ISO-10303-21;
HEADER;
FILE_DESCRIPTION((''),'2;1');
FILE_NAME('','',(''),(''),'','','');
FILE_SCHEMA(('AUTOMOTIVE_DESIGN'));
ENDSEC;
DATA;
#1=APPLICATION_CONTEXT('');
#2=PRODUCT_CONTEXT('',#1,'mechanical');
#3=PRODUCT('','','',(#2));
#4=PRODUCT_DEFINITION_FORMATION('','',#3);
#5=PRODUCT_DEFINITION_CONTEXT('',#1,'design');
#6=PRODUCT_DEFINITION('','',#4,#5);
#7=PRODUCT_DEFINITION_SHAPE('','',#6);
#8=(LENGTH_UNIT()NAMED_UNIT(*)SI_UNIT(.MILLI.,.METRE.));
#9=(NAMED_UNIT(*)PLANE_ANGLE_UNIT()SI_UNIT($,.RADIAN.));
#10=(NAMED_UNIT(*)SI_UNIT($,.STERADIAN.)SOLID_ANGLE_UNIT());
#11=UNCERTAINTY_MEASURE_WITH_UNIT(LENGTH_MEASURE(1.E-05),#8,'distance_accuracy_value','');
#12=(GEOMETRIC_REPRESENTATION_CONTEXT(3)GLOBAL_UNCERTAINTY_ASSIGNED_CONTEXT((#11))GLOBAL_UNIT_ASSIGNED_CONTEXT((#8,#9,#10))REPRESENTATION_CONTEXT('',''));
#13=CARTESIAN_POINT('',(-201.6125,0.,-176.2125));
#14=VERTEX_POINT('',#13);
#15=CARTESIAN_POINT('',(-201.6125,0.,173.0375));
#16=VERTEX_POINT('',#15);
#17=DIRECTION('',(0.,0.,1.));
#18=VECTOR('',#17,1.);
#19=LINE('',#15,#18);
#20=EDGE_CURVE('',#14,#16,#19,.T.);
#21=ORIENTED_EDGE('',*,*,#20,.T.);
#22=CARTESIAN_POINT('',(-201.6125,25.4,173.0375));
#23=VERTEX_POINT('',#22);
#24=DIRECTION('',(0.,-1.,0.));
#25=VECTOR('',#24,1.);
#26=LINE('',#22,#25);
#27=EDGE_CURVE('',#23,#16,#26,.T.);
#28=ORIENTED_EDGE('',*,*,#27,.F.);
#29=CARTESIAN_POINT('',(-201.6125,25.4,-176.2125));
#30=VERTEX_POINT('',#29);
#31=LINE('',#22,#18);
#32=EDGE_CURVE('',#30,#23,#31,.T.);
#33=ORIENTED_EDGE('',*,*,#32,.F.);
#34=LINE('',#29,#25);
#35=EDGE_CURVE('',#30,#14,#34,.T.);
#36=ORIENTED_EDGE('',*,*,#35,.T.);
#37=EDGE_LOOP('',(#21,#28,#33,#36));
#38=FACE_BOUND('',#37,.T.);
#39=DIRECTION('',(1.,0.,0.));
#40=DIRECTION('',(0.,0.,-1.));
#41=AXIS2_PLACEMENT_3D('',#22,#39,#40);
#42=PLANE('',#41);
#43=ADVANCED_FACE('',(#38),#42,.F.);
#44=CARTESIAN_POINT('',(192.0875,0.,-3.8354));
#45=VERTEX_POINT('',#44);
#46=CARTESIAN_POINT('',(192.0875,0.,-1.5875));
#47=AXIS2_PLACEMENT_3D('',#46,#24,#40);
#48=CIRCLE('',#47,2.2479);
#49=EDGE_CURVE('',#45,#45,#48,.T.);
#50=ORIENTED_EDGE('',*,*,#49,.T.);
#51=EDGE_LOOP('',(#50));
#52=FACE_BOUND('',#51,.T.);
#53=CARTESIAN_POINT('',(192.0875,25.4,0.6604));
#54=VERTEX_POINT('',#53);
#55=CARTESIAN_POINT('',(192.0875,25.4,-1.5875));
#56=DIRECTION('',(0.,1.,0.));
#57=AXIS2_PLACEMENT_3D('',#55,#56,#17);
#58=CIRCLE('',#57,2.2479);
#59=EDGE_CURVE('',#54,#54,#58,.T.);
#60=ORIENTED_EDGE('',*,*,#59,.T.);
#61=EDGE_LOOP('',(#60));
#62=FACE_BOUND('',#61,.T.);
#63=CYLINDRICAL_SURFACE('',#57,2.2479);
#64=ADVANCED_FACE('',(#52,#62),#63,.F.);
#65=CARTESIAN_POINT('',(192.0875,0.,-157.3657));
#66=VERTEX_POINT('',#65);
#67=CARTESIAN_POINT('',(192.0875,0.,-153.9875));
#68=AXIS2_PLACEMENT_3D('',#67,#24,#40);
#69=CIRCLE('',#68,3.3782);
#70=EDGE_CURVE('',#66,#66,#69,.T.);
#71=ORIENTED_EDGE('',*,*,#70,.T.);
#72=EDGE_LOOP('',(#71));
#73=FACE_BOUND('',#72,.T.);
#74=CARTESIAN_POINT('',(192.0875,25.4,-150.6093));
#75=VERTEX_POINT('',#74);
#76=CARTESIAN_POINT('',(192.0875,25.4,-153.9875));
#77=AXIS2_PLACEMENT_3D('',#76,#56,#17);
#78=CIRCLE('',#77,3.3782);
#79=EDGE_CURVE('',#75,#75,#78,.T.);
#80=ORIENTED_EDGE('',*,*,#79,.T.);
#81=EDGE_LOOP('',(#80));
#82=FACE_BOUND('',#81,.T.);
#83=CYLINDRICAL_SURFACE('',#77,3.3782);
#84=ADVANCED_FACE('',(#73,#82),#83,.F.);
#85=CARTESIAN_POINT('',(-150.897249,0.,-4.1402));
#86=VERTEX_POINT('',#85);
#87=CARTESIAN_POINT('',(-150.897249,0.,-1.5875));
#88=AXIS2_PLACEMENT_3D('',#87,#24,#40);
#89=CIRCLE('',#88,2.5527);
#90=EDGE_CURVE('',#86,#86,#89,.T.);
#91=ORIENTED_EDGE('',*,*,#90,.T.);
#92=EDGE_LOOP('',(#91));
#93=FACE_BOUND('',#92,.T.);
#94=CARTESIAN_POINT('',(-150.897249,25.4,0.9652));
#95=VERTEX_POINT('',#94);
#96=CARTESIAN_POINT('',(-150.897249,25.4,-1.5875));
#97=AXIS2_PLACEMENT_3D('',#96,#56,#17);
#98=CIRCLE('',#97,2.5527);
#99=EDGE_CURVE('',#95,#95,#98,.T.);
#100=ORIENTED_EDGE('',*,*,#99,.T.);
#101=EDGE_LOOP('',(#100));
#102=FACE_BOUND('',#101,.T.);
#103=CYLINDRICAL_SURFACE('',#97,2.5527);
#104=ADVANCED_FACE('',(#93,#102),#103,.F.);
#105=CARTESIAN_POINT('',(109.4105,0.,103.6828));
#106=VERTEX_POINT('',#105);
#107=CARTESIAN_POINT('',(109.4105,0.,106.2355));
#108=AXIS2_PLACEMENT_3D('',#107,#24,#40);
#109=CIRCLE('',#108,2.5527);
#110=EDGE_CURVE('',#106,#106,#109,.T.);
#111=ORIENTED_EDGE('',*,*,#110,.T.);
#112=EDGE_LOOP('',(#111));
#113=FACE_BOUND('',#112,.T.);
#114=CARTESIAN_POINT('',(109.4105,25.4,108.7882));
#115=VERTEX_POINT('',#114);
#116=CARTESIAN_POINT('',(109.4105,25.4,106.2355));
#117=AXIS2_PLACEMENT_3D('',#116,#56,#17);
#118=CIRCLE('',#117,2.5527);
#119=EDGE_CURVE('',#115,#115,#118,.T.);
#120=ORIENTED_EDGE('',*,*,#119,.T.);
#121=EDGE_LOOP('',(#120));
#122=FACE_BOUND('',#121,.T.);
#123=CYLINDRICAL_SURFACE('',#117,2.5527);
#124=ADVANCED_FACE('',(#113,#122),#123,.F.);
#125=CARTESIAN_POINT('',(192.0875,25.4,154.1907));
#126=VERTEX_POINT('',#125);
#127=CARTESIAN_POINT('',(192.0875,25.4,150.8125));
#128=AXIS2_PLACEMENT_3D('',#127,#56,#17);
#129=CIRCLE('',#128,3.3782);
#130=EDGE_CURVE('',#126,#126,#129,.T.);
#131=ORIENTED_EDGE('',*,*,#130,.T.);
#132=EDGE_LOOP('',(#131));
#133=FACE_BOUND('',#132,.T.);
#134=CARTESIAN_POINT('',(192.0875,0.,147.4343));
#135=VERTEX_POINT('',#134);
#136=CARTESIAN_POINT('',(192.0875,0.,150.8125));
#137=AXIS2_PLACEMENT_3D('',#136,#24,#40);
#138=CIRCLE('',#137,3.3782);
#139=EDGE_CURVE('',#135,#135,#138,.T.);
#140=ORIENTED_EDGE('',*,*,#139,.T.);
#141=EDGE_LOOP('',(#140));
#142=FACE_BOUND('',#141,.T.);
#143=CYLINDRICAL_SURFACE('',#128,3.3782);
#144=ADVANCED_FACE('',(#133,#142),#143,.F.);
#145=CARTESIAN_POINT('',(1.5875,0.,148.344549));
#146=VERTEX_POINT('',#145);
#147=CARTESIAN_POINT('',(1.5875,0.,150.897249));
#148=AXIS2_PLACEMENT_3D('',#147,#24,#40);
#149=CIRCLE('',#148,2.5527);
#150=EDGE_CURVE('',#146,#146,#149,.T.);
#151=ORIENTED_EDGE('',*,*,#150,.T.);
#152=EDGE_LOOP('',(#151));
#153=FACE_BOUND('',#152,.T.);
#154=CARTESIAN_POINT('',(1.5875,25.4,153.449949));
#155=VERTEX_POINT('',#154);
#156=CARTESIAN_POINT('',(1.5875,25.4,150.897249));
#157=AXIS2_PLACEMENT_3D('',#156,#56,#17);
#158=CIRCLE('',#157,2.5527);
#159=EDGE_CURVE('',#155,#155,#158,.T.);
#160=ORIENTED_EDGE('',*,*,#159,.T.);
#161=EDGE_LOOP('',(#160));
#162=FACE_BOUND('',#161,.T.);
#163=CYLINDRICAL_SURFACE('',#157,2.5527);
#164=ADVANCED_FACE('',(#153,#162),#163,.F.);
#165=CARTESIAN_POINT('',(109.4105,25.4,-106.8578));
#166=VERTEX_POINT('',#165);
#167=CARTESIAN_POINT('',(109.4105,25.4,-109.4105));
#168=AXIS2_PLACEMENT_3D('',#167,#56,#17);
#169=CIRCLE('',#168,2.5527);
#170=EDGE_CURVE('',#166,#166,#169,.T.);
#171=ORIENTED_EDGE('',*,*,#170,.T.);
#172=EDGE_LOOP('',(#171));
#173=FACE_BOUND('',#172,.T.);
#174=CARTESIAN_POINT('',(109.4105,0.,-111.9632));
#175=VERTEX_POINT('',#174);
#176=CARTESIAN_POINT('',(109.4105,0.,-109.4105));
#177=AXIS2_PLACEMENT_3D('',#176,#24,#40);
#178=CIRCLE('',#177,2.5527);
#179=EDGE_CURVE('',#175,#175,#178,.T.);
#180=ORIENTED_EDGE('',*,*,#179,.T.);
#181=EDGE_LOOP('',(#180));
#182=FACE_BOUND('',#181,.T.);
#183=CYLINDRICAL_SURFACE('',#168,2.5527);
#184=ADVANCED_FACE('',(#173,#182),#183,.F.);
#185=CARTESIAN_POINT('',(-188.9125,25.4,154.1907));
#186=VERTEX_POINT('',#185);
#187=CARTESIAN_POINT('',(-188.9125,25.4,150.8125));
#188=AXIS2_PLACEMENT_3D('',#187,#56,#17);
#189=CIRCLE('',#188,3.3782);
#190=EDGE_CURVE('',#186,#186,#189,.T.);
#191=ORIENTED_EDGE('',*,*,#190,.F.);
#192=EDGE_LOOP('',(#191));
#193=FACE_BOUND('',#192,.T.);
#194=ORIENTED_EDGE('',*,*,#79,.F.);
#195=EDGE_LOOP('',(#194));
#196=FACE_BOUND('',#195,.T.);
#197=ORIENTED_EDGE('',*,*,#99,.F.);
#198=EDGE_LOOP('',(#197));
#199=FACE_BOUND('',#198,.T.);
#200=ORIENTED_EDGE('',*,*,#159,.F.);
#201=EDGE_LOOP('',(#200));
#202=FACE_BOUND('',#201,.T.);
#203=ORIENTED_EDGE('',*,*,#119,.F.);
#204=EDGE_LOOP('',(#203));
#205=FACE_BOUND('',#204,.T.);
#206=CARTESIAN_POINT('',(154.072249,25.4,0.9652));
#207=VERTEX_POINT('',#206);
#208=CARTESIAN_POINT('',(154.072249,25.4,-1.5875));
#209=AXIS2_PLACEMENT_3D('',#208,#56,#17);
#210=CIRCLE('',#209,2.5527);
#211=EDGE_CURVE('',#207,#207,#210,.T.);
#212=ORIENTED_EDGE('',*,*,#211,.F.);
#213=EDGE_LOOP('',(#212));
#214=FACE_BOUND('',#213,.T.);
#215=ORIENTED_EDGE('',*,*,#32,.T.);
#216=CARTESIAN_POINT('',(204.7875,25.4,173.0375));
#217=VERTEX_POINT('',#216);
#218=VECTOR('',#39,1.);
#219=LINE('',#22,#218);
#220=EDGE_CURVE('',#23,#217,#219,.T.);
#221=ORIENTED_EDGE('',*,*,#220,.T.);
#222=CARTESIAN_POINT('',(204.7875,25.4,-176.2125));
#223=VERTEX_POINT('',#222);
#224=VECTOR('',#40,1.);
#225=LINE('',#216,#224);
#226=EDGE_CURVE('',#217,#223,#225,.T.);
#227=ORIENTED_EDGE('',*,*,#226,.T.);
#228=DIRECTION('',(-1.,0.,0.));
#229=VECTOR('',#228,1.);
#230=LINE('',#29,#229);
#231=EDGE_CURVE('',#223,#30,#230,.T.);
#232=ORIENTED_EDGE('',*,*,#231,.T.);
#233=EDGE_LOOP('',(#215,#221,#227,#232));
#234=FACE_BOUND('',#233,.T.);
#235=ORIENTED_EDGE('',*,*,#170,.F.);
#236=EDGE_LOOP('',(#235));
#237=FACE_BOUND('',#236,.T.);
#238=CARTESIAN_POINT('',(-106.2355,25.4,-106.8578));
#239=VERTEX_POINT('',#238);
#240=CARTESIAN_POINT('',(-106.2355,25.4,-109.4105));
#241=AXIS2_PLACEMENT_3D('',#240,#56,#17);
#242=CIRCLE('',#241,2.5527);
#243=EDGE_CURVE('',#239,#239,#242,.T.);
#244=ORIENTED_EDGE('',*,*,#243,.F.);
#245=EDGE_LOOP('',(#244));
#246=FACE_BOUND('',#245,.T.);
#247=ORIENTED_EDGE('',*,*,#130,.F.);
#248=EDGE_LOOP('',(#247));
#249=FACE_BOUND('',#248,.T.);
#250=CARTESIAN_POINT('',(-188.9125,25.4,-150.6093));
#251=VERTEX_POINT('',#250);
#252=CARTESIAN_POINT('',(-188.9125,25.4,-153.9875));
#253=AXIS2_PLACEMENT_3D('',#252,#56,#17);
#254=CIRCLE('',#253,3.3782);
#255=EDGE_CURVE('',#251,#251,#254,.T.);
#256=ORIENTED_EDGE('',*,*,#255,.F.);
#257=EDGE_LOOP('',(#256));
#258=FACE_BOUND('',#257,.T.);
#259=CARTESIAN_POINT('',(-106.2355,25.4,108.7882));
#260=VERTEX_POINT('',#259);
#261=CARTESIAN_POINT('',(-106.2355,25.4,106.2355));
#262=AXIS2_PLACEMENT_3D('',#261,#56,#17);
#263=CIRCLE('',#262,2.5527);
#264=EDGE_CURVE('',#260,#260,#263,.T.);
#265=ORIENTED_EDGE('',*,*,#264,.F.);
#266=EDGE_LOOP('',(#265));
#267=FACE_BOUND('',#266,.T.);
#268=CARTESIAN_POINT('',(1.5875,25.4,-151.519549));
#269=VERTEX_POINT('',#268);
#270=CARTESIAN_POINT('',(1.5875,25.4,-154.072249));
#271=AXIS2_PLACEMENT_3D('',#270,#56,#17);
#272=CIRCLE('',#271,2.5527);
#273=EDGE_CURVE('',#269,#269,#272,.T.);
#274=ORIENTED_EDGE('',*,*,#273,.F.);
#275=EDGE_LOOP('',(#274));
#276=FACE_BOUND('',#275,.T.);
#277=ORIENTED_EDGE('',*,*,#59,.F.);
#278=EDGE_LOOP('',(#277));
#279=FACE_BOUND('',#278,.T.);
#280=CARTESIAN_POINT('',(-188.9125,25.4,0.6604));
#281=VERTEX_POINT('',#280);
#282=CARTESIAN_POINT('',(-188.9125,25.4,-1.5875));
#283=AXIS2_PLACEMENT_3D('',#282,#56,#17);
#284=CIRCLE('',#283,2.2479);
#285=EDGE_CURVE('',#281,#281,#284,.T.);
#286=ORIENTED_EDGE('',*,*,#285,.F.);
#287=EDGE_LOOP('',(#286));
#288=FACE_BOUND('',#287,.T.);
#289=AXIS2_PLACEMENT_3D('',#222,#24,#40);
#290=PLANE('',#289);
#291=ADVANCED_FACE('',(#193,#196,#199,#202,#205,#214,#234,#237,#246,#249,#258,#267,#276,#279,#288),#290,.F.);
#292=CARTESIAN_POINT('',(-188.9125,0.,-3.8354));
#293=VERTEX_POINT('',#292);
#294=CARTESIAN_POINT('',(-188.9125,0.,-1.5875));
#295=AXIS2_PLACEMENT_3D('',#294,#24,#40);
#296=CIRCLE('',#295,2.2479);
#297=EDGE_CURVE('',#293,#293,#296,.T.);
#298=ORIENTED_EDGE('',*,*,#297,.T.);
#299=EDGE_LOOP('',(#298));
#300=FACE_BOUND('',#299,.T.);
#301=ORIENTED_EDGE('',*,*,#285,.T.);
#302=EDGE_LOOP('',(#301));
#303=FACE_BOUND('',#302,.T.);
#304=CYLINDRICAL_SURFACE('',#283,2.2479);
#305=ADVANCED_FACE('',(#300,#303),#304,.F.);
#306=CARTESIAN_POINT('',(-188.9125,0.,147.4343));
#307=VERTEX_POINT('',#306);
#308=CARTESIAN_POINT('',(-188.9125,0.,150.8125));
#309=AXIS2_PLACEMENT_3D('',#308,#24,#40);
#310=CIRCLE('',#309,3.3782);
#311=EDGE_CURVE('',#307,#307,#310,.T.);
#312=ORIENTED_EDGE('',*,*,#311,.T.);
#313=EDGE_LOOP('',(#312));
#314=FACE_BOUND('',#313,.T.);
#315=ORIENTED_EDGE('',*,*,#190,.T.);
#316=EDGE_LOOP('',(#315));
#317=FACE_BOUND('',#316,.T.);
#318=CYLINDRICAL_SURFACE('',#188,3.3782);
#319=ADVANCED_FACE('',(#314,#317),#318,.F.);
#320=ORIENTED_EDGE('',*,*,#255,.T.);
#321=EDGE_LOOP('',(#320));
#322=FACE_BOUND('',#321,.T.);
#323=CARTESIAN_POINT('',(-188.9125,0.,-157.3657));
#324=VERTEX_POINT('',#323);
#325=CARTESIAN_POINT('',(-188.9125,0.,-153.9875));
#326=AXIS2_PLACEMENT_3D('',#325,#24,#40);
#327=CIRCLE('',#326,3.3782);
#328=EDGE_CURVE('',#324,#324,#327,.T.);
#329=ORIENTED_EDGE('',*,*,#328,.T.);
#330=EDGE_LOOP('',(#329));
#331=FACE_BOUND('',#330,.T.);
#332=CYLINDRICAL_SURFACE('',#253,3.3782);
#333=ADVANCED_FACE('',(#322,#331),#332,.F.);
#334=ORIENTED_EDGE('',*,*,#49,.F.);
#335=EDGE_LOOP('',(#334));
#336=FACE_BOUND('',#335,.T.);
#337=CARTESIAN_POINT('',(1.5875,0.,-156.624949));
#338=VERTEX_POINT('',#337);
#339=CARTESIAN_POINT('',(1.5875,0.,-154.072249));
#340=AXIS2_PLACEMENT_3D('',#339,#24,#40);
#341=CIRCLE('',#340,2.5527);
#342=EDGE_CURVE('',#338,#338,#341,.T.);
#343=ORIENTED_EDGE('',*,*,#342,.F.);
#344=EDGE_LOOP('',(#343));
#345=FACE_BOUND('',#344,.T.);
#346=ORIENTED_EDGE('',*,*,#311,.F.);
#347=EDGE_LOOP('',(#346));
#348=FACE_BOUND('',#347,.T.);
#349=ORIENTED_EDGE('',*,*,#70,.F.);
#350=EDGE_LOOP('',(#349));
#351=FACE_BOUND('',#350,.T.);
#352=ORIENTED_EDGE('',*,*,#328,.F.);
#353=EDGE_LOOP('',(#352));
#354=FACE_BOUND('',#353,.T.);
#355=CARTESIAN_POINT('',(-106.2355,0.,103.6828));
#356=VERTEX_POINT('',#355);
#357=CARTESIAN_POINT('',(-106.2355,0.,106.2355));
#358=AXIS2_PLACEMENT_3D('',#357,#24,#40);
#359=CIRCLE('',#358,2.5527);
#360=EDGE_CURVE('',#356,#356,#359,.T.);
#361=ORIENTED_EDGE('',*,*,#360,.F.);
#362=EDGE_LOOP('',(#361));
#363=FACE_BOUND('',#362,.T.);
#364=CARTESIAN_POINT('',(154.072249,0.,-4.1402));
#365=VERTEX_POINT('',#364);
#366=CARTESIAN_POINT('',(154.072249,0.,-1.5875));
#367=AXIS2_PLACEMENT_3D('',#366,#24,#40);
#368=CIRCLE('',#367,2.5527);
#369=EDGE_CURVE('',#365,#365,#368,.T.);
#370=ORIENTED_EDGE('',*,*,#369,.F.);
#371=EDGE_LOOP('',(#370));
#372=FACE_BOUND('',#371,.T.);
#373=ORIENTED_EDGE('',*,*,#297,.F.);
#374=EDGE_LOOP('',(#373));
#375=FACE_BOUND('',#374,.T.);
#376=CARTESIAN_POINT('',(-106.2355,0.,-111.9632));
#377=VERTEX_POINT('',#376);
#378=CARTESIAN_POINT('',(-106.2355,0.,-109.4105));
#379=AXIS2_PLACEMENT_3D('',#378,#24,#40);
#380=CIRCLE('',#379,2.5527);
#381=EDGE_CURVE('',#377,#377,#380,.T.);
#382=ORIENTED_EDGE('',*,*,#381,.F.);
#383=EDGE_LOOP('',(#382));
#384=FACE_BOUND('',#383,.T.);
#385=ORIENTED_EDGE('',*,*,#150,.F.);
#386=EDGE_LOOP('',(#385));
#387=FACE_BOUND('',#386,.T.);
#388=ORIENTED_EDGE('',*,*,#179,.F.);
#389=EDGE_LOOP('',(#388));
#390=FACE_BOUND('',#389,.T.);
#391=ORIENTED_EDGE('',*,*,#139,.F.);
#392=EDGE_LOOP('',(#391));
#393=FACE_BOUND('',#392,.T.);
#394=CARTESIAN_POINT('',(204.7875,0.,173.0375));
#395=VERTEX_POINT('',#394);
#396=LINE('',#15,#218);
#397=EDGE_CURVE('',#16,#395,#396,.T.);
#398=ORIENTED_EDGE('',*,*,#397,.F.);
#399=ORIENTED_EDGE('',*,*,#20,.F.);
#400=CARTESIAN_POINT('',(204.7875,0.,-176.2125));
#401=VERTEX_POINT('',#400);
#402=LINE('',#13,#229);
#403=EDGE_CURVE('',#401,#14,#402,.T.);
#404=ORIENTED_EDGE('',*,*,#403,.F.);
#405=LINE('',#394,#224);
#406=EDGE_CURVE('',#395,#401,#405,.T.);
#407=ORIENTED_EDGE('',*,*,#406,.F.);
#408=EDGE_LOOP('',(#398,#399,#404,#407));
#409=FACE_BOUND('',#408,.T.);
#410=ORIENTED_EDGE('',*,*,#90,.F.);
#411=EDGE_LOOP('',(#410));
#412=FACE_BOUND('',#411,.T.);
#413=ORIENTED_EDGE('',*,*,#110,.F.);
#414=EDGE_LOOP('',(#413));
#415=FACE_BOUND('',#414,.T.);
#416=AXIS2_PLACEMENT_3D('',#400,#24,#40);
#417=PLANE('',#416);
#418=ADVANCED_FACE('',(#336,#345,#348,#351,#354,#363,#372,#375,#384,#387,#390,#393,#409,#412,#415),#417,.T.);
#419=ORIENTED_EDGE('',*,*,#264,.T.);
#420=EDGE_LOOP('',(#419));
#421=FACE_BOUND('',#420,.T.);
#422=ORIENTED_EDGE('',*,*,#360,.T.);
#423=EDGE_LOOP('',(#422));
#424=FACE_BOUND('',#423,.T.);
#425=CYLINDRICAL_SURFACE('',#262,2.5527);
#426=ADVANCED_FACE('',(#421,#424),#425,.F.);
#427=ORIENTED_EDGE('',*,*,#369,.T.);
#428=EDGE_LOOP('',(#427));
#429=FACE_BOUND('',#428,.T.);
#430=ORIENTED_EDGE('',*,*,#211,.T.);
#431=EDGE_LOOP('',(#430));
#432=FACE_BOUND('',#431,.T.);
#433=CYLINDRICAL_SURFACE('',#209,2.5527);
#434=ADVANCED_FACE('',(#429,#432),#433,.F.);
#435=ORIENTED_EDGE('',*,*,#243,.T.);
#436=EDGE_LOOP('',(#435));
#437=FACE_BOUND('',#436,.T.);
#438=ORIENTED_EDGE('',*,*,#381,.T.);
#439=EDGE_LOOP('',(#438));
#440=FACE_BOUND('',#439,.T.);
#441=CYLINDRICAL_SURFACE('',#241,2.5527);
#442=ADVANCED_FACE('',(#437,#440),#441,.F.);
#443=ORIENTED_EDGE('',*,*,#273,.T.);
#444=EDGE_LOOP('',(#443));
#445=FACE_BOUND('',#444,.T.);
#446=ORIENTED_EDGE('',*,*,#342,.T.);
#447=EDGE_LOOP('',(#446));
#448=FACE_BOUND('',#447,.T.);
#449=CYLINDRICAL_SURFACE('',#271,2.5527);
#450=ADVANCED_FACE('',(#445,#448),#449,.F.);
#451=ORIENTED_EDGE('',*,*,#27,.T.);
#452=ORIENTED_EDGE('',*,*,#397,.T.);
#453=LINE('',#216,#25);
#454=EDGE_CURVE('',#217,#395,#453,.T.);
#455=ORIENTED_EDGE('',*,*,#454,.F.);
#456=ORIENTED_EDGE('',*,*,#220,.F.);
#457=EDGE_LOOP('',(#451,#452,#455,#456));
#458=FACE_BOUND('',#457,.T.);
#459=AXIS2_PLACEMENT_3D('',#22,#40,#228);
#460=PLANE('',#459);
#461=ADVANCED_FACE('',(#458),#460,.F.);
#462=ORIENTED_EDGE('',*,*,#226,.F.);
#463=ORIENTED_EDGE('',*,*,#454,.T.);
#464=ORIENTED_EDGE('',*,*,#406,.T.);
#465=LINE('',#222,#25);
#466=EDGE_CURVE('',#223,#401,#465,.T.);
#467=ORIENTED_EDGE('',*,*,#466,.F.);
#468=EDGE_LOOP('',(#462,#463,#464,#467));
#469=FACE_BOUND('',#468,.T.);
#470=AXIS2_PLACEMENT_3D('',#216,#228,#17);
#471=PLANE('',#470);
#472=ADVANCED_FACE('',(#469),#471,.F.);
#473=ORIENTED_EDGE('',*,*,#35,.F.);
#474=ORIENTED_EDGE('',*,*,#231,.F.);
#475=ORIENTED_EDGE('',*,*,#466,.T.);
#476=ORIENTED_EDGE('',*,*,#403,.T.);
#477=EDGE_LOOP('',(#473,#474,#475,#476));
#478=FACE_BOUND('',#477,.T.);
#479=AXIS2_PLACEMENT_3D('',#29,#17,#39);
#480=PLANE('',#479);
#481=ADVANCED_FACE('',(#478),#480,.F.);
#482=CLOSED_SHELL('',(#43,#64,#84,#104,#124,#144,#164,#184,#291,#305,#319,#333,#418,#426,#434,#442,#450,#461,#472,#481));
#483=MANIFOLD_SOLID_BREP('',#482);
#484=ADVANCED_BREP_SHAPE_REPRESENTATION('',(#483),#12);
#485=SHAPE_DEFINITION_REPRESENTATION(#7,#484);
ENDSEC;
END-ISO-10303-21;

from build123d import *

# Parameters (mm, degrees)
SKETCH1_W                   = 406.4
SKETCH1_H                   = 349.25
BOSS_EXTRUDE1_DEPTH         = 25.4
F_1_4_CLEARANCE_HOLE1_D     = 6.7564
F_1_4_CLEARANCE_HOLE1_DEPTH = 70
F_1_4_CLEARANCE_HOLE1_TIP   = 2.029827343
F_8_CLEARANCE_HOLE1_D       = 4.4958
F_8_CLEARANCE_HOLE1_DEPTH   = 70
F_8_CLEARANCE_HOLE1_TIP     = 1.350674586
F_1_4_20_TAPPED_HOLE1_D     = 5.1054
F_1_4_20_TAPPED_HOLE1_DEPTH = 39.05
F_1_4_20_TAPPED_HOLE1_TIP   = 1.533816902


with BuildPart() as part:
    # Sketch1 → Boss-Extrude1 (new body)
    with BuildSketch(Plane(origin=(0, 0, 0), x_dir=(1, 0, 0), z_dir=(0, 1, 0))):
        with Locations((1.5875, 1.5875)):
            Rectangle(SKETCH1_W, SKETCH1_H)
    extrude(amount=BOSS_EXTRUDE1_DEPTH)

    # 1/4 Clearance Hole1
    with Locations(Plane(origin=(-188.9125, 25.4, -153.9875), x_dir=(0, 0, 1), z_dir=(0, 1, 0))):
        with Locations((0, 0), (0, 381), (304.8, 381), (304.8, 0)):
            Hole(F_1_4_CLEARANCE_HOLE1_D / 2, depth=F_1_4_CLEARANCE_HOLE1_DEPTH)
            with Locations((0, 0, -(F_1_4_CLEARANCE_HOLE1_DEPTH + F_1_4_CLEARANCE_HOLE1_TIP / 2))):  # 118° drill point
                Cone(0, F_1_4_CLEARANCE_HOLE1_D / 2, F_1_4_CLEARANCE_HOLE1_TIP, mode=Mode.SUBTRACT)

    # #8 Clearance Hole1
    with Locations(Plane(origin=(-188.9125, 25.4, -1.5875), x_dir=(0, 0, 1), z_dir=(0, 1, 0))):
        with Locations((0, 0), (0, 381)):
            Hole(F_8_CLEARANCE_HOLE1_D / 2, depth=F_8_CLEARANCE_HOLE1_DEPTH)
            with Locations((0, 0, -(F_8_CLEARANCE_HOLE1_DEPTH + F_8_CLEARANCE_HOLE1_TIP / 2))):  # 118° drill point
                Cone(0, F_8_CLEARANCE_HOLE1_D / 2, F_8_CLEARANCE_HOLE1_TIP, mode=Mode.SUBTRACT)

    # 1/4-20 Tapped Hole1
    with Locations(Plane(origin=(1.5875, 25.4, -154.072248936), x_dir=(0, 0, 1), z_dir=(0, 1, 0))):
        with Locations((0, 0), (44.661748936, -107.823), (44.661748936, 107.823), (152.484748936, 152.484748936), (152.484748936, -152.484748936), (260.307748936, -107.823), (304.969497872, 0), (260.307748936, 107.823)):
            Hole(F_1_4_20_TAPPED_HOLE1_D / 2, depth=F_1_4_20_TAPPED_HOLE1_DEPTH)
            with Locations((0, 0, -(F_1_4_20_TAPPED_HOLE1_DEPTH + F_1_4_20_TAPPED_HOLE1_TIP / 2))):  # 118° drill point
                Cone(0, F_1_4_20_TAPPED_HOLE1_D / 2, F_1_4_20_TAPPED_HOLE1_TIP, mode=Mode.SUBTRACT)


solid = part.part
